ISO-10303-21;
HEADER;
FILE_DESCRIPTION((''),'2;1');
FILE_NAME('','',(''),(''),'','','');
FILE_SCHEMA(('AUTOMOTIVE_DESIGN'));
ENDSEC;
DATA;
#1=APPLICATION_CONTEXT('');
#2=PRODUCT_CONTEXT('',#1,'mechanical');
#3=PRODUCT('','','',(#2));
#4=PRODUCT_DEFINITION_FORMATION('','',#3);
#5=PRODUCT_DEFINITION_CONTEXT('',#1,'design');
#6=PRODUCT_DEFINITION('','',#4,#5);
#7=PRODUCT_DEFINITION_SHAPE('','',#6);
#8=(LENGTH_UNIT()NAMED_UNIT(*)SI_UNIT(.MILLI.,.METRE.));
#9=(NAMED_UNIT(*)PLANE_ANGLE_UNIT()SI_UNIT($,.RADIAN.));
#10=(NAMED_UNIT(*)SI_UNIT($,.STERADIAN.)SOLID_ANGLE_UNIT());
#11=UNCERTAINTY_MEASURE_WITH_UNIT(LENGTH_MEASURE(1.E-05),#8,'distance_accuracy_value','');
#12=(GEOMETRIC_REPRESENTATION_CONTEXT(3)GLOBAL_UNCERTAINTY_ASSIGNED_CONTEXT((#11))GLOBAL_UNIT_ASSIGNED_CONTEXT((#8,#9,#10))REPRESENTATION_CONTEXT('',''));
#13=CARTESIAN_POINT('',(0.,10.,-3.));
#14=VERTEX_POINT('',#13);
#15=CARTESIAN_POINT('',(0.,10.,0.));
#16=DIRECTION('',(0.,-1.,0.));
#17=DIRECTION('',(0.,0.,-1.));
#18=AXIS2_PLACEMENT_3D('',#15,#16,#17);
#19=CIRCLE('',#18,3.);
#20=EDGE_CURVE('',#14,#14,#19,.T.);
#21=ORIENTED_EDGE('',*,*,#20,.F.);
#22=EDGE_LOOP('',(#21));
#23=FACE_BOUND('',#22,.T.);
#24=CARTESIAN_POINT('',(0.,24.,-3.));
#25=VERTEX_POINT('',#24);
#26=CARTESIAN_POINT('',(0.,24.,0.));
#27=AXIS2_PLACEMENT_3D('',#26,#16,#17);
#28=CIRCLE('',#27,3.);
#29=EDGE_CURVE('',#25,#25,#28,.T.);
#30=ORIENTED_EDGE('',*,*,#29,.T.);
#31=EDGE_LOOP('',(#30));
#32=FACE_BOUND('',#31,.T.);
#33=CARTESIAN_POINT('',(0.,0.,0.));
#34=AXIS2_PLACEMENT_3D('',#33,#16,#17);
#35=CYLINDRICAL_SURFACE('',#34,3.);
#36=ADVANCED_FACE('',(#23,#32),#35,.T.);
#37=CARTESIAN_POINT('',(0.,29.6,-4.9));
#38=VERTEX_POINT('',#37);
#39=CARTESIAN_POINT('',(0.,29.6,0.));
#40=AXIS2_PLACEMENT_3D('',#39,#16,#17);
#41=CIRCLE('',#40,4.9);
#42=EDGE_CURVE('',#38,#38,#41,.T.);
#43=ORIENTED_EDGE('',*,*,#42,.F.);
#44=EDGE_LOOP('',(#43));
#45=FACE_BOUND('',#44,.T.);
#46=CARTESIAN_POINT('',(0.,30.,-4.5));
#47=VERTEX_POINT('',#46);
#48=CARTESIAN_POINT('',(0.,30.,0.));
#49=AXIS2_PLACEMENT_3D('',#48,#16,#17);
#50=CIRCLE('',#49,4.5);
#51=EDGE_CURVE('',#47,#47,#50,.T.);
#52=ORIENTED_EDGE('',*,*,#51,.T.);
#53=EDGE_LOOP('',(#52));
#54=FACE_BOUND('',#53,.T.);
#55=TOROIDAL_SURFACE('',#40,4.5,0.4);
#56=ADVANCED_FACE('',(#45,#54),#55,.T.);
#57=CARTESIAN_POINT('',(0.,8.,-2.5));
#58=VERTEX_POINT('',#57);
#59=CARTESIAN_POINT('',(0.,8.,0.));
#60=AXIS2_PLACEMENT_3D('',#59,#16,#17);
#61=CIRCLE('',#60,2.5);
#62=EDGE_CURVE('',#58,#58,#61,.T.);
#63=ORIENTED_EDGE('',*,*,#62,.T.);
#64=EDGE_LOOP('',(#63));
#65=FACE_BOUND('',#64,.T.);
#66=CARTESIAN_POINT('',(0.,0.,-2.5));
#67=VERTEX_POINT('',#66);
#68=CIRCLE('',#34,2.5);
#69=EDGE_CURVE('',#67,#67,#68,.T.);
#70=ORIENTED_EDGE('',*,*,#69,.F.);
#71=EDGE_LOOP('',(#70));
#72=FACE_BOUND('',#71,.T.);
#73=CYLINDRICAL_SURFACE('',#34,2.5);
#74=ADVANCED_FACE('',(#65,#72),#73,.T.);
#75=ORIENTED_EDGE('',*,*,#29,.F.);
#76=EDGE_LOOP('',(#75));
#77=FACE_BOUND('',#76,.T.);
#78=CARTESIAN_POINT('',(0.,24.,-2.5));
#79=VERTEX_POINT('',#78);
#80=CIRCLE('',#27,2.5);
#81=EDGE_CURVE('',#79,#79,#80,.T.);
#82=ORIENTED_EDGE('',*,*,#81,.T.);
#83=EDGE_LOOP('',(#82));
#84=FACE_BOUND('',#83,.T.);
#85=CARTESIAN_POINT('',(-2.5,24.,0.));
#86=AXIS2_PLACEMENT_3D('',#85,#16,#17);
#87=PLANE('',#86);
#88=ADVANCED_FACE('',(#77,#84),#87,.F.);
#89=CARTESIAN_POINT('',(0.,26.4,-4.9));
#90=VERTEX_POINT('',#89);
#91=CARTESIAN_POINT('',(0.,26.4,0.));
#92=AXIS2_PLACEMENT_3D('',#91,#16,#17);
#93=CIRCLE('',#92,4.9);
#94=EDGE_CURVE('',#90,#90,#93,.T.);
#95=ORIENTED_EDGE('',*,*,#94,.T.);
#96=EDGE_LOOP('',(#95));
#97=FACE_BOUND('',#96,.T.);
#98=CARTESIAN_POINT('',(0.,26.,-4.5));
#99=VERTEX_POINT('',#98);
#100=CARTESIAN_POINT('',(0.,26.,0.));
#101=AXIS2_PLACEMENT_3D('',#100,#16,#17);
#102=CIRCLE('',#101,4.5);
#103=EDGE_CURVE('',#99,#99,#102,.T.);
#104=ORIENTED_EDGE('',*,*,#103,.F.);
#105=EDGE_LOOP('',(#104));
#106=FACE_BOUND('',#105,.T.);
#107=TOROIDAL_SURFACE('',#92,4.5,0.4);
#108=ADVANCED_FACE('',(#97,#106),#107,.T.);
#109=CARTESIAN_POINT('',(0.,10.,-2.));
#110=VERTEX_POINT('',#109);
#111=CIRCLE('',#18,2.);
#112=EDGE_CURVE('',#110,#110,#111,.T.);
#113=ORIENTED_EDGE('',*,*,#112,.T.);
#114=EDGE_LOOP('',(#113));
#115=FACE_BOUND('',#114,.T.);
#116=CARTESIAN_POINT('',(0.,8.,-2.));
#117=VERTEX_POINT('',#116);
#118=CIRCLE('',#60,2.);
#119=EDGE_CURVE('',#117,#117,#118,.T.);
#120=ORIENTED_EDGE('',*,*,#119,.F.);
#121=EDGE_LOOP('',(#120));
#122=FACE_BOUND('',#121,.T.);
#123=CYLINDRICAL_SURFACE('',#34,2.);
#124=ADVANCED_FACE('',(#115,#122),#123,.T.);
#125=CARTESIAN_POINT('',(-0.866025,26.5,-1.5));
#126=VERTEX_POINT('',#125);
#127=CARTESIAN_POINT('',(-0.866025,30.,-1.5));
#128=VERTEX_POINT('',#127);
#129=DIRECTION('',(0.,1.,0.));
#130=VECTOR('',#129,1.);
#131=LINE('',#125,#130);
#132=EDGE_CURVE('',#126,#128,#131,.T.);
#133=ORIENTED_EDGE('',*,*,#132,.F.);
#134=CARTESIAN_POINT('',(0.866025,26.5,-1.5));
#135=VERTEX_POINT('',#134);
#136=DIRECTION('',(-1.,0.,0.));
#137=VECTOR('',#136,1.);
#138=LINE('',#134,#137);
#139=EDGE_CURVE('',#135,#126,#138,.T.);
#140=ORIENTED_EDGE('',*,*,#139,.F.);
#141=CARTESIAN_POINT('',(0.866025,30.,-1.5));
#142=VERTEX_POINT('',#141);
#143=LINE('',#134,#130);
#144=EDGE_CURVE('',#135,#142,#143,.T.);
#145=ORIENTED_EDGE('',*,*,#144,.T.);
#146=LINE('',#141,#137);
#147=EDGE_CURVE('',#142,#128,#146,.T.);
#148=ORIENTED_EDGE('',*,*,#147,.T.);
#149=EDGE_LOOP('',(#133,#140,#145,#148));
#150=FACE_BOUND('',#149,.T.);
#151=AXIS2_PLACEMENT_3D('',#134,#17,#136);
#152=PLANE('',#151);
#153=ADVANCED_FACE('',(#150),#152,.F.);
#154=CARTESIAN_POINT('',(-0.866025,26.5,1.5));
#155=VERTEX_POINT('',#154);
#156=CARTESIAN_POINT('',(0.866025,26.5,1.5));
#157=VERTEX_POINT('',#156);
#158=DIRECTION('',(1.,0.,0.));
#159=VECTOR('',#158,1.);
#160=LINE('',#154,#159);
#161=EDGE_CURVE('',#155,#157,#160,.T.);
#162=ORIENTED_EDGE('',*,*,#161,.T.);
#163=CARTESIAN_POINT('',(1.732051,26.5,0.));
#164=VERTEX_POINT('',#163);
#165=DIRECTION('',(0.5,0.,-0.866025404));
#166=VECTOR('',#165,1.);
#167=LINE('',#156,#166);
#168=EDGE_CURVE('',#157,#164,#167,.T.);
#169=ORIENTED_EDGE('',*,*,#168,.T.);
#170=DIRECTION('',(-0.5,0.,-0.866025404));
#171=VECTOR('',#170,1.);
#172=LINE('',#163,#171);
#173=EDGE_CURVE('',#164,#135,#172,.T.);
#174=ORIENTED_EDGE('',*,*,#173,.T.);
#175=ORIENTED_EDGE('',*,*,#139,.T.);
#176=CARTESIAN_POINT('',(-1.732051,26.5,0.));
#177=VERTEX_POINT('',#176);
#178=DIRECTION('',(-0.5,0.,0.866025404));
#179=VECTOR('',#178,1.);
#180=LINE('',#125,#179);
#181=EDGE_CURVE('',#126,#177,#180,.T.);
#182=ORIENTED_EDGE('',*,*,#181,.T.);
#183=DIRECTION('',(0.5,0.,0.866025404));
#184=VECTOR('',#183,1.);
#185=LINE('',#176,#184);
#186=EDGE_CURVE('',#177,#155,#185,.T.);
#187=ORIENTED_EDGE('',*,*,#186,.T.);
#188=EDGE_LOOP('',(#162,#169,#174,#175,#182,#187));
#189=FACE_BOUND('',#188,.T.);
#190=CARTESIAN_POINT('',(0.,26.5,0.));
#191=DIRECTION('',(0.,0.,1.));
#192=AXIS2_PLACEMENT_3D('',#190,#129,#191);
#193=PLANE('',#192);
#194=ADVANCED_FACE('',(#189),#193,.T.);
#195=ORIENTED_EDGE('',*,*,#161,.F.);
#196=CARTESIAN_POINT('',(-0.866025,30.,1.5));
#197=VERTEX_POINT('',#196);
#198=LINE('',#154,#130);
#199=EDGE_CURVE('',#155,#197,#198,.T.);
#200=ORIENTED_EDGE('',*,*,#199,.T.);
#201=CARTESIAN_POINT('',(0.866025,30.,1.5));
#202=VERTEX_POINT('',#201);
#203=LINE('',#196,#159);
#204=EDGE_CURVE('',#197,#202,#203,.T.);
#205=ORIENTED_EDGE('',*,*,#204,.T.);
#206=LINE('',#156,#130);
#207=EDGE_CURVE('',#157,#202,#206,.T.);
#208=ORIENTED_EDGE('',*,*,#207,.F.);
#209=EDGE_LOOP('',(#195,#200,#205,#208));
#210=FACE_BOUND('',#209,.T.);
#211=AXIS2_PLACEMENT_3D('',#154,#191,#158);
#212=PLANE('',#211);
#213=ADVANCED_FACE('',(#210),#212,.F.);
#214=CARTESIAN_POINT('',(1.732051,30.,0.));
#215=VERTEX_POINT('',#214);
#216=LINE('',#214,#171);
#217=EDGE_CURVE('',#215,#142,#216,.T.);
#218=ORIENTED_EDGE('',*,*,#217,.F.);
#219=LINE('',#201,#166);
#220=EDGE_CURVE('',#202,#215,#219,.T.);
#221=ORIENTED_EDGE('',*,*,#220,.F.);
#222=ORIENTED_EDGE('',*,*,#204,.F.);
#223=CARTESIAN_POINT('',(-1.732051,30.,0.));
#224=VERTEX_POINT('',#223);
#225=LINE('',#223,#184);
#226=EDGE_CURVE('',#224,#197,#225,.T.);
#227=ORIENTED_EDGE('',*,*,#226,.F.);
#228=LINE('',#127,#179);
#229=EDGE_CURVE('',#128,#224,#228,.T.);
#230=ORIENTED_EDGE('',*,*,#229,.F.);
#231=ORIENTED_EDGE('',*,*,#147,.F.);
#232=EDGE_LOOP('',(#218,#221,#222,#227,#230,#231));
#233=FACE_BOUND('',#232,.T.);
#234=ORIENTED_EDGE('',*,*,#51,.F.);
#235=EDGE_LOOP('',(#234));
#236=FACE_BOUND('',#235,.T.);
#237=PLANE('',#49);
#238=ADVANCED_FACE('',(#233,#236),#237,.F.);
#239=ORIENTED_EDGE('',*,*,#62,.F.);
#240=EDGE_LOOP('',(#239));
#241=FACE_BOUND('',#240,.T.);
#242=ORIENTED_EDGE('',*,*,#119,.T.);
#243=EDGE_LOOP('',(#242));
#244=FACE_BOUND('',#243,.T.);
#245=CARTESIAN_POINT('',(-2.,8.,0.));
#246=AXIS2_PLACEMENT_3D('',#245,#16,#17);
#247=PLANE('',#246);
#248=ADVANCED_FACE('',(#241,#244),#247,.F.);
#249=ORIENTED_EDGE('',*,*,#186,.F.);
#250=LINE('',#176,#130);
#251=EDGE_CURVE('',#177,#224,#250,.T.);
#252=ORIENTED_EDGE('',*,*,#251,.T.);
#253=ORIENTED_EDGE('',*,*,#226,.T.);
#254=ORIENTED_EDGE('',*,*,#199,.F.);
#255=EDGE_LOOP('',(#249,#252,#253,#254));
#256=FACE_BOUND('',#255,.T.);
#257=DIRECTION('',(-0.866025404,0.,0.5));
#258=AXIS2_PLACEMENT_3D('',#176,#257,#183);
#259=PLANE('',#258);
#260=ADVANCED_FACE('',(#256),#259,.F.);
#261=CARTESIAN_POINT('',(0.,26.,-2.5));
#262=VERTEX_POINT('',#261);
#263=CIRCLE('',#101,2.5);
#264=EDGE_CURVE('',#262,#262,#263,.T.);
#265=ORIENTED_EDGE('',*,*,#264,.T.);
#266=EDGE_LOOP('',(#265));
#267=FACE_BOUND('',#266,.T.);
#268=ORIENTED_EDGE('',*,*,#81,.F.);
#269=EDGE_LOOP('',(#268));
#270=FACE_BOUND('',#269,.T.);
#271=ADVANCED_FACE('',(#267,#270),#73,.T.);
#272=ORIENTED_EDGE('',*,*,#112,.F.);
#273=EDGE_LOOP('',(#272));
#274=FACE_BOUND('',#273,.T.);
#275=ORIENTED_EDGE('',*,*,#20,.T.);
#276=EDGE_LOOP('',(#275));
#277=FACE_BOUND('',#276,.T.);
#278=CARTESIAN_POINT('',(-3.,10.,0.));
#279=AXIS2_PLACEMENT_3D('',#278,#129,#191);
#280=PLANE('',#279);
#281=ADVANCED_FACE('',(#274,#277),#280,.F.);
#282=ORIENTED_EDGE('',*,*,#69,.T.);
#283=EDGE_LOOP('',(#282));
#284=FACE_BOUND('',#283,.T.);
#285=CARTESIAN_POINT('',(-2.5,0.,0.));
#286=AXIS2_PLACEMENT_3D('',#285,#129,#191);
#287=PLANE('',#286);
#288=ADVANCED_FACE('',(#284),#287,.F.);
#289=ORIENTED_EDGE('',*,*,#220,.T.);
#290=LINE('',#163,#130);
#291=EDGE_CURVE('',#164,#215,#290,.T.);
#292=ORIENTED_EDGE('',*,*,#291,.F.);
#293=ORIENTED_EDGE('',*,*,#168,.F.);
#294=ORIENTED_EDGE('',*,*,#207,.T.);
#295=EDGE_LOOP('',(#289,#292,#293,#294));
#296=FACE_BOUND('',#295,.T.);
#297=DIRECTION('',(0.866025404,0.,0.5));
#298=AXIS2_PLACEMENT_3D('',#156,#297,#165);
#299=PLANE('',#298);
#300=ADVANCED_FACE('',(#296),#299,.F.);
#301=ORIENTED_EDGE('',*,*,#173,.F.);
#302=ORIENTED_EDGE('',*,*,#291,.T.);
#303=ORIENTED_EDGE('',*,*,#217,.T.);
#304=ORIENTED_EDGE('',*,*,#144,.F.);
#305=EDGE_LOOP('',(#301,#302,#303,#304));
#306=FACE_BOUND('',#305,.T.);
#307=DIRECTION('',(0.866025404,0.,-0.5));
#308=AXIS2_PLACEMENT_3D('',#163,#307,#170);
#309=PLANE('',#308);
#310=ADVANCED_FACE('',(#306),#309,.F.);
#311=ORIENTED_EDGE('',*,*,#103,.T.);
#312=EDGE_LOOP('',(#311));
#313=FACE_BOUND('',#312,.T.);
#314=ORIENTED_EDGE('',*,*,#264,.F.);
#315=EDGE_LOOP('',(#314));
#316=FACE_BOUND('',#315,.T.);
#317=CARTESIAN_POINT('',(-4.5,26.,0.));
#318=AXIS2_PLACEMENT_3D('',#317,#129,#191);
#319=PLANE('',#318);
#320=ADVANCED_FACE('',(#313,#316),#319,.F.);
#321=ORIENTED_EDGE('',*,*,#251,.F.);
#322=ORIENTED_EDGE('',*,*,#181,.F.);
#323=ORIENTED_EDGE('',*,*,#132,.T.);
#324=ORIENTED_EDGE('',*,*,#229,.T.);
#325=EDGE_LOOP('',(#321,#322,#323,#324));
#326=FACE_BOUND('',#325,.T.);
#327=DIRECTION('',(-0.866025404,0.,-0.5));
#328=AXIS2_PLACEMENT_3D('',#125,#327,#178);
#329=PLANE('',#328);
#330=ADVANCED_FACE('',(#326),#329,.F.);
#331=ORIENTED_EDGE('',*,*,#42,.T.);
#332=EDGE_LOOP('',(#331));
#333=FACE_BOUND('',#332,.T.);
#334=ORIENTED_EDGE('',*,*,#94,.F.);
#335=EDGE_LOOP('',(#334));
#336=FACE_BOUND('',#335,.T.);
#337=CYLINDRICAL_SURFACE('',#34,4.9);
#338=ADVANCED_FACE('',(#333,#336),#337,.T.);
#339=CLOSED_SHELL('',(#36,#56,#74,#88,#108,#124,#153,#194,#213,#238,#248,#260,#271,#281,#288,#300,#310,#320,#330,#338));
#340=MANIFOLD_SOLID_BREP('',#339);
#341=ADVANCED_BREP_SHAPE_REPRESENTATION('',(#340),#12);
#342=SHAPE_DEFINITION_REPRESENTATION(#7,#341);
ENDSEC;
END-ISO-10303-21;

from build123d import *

# Parameters (mm, degrees)
CUT_EXTRUDE_1_DEPTH = 3.5


with BuildPart() as part:
    # 草图1 → 旋转1 (revolve)
    with BuildSketch(Plane.XY, mode=Mode.PRIVATE) as revolve_1_sk:
        with BuildLine():
            Line((0, 30), (-4.5, 30))
            ThreePointArc((-4.5, 30), (-4.782842712, 29.882842712), (-4.9, 29.6))
            Line((-4.9, 29.6), (-4.9, 26.4))
            ThreePointArc((-4.9, 26.4), (-4.782842712, 26.117157288), (-4.5, 26))
            Line((-4.5, 26), (-2.5, 26))
            Line((-2.5, 26), (-2.5, 24))
            Line((-2.5, 24), (-3, 24))
            Line((-3, 24), (-3, 10))
            Line((-3, 10), (-2, 10))
            Line((-2, 10), (-2, 8))
            Line((-2, 8), (-2.5, 8))
            Line((-2.5, 8), (-2.5, 0))
            Line((-2.5, 0), (0, 0))
            Line((0, 0), (0, 30))
        make_face()
    revolve(revolve_1_sk.sketch.rotate(Axis((0, 0, 0), (0, 1, 0)), 270), axis=Axis((0, 0, 0), (0, 1, 0)))

    # 草图2 → 切除-拉伸1 (cut)
    with BuildSketch(Plane(origin=(0, 30, 0), x_dir=(1, 0, 0), z_dir=(0, 1, 0))):
        Polygon((0.866025404, 1.5), (-0.866025404, 1.5), (-1.732050808, 0), (-0.866025404, -1.5), (0.866025404, -1.5), (1.732050808, 0), align=None)
    extrude(amount=-CUT_EXTRUDE_1_DEPTH, mode=Mode.SUBTRACT)


solid = part.part
